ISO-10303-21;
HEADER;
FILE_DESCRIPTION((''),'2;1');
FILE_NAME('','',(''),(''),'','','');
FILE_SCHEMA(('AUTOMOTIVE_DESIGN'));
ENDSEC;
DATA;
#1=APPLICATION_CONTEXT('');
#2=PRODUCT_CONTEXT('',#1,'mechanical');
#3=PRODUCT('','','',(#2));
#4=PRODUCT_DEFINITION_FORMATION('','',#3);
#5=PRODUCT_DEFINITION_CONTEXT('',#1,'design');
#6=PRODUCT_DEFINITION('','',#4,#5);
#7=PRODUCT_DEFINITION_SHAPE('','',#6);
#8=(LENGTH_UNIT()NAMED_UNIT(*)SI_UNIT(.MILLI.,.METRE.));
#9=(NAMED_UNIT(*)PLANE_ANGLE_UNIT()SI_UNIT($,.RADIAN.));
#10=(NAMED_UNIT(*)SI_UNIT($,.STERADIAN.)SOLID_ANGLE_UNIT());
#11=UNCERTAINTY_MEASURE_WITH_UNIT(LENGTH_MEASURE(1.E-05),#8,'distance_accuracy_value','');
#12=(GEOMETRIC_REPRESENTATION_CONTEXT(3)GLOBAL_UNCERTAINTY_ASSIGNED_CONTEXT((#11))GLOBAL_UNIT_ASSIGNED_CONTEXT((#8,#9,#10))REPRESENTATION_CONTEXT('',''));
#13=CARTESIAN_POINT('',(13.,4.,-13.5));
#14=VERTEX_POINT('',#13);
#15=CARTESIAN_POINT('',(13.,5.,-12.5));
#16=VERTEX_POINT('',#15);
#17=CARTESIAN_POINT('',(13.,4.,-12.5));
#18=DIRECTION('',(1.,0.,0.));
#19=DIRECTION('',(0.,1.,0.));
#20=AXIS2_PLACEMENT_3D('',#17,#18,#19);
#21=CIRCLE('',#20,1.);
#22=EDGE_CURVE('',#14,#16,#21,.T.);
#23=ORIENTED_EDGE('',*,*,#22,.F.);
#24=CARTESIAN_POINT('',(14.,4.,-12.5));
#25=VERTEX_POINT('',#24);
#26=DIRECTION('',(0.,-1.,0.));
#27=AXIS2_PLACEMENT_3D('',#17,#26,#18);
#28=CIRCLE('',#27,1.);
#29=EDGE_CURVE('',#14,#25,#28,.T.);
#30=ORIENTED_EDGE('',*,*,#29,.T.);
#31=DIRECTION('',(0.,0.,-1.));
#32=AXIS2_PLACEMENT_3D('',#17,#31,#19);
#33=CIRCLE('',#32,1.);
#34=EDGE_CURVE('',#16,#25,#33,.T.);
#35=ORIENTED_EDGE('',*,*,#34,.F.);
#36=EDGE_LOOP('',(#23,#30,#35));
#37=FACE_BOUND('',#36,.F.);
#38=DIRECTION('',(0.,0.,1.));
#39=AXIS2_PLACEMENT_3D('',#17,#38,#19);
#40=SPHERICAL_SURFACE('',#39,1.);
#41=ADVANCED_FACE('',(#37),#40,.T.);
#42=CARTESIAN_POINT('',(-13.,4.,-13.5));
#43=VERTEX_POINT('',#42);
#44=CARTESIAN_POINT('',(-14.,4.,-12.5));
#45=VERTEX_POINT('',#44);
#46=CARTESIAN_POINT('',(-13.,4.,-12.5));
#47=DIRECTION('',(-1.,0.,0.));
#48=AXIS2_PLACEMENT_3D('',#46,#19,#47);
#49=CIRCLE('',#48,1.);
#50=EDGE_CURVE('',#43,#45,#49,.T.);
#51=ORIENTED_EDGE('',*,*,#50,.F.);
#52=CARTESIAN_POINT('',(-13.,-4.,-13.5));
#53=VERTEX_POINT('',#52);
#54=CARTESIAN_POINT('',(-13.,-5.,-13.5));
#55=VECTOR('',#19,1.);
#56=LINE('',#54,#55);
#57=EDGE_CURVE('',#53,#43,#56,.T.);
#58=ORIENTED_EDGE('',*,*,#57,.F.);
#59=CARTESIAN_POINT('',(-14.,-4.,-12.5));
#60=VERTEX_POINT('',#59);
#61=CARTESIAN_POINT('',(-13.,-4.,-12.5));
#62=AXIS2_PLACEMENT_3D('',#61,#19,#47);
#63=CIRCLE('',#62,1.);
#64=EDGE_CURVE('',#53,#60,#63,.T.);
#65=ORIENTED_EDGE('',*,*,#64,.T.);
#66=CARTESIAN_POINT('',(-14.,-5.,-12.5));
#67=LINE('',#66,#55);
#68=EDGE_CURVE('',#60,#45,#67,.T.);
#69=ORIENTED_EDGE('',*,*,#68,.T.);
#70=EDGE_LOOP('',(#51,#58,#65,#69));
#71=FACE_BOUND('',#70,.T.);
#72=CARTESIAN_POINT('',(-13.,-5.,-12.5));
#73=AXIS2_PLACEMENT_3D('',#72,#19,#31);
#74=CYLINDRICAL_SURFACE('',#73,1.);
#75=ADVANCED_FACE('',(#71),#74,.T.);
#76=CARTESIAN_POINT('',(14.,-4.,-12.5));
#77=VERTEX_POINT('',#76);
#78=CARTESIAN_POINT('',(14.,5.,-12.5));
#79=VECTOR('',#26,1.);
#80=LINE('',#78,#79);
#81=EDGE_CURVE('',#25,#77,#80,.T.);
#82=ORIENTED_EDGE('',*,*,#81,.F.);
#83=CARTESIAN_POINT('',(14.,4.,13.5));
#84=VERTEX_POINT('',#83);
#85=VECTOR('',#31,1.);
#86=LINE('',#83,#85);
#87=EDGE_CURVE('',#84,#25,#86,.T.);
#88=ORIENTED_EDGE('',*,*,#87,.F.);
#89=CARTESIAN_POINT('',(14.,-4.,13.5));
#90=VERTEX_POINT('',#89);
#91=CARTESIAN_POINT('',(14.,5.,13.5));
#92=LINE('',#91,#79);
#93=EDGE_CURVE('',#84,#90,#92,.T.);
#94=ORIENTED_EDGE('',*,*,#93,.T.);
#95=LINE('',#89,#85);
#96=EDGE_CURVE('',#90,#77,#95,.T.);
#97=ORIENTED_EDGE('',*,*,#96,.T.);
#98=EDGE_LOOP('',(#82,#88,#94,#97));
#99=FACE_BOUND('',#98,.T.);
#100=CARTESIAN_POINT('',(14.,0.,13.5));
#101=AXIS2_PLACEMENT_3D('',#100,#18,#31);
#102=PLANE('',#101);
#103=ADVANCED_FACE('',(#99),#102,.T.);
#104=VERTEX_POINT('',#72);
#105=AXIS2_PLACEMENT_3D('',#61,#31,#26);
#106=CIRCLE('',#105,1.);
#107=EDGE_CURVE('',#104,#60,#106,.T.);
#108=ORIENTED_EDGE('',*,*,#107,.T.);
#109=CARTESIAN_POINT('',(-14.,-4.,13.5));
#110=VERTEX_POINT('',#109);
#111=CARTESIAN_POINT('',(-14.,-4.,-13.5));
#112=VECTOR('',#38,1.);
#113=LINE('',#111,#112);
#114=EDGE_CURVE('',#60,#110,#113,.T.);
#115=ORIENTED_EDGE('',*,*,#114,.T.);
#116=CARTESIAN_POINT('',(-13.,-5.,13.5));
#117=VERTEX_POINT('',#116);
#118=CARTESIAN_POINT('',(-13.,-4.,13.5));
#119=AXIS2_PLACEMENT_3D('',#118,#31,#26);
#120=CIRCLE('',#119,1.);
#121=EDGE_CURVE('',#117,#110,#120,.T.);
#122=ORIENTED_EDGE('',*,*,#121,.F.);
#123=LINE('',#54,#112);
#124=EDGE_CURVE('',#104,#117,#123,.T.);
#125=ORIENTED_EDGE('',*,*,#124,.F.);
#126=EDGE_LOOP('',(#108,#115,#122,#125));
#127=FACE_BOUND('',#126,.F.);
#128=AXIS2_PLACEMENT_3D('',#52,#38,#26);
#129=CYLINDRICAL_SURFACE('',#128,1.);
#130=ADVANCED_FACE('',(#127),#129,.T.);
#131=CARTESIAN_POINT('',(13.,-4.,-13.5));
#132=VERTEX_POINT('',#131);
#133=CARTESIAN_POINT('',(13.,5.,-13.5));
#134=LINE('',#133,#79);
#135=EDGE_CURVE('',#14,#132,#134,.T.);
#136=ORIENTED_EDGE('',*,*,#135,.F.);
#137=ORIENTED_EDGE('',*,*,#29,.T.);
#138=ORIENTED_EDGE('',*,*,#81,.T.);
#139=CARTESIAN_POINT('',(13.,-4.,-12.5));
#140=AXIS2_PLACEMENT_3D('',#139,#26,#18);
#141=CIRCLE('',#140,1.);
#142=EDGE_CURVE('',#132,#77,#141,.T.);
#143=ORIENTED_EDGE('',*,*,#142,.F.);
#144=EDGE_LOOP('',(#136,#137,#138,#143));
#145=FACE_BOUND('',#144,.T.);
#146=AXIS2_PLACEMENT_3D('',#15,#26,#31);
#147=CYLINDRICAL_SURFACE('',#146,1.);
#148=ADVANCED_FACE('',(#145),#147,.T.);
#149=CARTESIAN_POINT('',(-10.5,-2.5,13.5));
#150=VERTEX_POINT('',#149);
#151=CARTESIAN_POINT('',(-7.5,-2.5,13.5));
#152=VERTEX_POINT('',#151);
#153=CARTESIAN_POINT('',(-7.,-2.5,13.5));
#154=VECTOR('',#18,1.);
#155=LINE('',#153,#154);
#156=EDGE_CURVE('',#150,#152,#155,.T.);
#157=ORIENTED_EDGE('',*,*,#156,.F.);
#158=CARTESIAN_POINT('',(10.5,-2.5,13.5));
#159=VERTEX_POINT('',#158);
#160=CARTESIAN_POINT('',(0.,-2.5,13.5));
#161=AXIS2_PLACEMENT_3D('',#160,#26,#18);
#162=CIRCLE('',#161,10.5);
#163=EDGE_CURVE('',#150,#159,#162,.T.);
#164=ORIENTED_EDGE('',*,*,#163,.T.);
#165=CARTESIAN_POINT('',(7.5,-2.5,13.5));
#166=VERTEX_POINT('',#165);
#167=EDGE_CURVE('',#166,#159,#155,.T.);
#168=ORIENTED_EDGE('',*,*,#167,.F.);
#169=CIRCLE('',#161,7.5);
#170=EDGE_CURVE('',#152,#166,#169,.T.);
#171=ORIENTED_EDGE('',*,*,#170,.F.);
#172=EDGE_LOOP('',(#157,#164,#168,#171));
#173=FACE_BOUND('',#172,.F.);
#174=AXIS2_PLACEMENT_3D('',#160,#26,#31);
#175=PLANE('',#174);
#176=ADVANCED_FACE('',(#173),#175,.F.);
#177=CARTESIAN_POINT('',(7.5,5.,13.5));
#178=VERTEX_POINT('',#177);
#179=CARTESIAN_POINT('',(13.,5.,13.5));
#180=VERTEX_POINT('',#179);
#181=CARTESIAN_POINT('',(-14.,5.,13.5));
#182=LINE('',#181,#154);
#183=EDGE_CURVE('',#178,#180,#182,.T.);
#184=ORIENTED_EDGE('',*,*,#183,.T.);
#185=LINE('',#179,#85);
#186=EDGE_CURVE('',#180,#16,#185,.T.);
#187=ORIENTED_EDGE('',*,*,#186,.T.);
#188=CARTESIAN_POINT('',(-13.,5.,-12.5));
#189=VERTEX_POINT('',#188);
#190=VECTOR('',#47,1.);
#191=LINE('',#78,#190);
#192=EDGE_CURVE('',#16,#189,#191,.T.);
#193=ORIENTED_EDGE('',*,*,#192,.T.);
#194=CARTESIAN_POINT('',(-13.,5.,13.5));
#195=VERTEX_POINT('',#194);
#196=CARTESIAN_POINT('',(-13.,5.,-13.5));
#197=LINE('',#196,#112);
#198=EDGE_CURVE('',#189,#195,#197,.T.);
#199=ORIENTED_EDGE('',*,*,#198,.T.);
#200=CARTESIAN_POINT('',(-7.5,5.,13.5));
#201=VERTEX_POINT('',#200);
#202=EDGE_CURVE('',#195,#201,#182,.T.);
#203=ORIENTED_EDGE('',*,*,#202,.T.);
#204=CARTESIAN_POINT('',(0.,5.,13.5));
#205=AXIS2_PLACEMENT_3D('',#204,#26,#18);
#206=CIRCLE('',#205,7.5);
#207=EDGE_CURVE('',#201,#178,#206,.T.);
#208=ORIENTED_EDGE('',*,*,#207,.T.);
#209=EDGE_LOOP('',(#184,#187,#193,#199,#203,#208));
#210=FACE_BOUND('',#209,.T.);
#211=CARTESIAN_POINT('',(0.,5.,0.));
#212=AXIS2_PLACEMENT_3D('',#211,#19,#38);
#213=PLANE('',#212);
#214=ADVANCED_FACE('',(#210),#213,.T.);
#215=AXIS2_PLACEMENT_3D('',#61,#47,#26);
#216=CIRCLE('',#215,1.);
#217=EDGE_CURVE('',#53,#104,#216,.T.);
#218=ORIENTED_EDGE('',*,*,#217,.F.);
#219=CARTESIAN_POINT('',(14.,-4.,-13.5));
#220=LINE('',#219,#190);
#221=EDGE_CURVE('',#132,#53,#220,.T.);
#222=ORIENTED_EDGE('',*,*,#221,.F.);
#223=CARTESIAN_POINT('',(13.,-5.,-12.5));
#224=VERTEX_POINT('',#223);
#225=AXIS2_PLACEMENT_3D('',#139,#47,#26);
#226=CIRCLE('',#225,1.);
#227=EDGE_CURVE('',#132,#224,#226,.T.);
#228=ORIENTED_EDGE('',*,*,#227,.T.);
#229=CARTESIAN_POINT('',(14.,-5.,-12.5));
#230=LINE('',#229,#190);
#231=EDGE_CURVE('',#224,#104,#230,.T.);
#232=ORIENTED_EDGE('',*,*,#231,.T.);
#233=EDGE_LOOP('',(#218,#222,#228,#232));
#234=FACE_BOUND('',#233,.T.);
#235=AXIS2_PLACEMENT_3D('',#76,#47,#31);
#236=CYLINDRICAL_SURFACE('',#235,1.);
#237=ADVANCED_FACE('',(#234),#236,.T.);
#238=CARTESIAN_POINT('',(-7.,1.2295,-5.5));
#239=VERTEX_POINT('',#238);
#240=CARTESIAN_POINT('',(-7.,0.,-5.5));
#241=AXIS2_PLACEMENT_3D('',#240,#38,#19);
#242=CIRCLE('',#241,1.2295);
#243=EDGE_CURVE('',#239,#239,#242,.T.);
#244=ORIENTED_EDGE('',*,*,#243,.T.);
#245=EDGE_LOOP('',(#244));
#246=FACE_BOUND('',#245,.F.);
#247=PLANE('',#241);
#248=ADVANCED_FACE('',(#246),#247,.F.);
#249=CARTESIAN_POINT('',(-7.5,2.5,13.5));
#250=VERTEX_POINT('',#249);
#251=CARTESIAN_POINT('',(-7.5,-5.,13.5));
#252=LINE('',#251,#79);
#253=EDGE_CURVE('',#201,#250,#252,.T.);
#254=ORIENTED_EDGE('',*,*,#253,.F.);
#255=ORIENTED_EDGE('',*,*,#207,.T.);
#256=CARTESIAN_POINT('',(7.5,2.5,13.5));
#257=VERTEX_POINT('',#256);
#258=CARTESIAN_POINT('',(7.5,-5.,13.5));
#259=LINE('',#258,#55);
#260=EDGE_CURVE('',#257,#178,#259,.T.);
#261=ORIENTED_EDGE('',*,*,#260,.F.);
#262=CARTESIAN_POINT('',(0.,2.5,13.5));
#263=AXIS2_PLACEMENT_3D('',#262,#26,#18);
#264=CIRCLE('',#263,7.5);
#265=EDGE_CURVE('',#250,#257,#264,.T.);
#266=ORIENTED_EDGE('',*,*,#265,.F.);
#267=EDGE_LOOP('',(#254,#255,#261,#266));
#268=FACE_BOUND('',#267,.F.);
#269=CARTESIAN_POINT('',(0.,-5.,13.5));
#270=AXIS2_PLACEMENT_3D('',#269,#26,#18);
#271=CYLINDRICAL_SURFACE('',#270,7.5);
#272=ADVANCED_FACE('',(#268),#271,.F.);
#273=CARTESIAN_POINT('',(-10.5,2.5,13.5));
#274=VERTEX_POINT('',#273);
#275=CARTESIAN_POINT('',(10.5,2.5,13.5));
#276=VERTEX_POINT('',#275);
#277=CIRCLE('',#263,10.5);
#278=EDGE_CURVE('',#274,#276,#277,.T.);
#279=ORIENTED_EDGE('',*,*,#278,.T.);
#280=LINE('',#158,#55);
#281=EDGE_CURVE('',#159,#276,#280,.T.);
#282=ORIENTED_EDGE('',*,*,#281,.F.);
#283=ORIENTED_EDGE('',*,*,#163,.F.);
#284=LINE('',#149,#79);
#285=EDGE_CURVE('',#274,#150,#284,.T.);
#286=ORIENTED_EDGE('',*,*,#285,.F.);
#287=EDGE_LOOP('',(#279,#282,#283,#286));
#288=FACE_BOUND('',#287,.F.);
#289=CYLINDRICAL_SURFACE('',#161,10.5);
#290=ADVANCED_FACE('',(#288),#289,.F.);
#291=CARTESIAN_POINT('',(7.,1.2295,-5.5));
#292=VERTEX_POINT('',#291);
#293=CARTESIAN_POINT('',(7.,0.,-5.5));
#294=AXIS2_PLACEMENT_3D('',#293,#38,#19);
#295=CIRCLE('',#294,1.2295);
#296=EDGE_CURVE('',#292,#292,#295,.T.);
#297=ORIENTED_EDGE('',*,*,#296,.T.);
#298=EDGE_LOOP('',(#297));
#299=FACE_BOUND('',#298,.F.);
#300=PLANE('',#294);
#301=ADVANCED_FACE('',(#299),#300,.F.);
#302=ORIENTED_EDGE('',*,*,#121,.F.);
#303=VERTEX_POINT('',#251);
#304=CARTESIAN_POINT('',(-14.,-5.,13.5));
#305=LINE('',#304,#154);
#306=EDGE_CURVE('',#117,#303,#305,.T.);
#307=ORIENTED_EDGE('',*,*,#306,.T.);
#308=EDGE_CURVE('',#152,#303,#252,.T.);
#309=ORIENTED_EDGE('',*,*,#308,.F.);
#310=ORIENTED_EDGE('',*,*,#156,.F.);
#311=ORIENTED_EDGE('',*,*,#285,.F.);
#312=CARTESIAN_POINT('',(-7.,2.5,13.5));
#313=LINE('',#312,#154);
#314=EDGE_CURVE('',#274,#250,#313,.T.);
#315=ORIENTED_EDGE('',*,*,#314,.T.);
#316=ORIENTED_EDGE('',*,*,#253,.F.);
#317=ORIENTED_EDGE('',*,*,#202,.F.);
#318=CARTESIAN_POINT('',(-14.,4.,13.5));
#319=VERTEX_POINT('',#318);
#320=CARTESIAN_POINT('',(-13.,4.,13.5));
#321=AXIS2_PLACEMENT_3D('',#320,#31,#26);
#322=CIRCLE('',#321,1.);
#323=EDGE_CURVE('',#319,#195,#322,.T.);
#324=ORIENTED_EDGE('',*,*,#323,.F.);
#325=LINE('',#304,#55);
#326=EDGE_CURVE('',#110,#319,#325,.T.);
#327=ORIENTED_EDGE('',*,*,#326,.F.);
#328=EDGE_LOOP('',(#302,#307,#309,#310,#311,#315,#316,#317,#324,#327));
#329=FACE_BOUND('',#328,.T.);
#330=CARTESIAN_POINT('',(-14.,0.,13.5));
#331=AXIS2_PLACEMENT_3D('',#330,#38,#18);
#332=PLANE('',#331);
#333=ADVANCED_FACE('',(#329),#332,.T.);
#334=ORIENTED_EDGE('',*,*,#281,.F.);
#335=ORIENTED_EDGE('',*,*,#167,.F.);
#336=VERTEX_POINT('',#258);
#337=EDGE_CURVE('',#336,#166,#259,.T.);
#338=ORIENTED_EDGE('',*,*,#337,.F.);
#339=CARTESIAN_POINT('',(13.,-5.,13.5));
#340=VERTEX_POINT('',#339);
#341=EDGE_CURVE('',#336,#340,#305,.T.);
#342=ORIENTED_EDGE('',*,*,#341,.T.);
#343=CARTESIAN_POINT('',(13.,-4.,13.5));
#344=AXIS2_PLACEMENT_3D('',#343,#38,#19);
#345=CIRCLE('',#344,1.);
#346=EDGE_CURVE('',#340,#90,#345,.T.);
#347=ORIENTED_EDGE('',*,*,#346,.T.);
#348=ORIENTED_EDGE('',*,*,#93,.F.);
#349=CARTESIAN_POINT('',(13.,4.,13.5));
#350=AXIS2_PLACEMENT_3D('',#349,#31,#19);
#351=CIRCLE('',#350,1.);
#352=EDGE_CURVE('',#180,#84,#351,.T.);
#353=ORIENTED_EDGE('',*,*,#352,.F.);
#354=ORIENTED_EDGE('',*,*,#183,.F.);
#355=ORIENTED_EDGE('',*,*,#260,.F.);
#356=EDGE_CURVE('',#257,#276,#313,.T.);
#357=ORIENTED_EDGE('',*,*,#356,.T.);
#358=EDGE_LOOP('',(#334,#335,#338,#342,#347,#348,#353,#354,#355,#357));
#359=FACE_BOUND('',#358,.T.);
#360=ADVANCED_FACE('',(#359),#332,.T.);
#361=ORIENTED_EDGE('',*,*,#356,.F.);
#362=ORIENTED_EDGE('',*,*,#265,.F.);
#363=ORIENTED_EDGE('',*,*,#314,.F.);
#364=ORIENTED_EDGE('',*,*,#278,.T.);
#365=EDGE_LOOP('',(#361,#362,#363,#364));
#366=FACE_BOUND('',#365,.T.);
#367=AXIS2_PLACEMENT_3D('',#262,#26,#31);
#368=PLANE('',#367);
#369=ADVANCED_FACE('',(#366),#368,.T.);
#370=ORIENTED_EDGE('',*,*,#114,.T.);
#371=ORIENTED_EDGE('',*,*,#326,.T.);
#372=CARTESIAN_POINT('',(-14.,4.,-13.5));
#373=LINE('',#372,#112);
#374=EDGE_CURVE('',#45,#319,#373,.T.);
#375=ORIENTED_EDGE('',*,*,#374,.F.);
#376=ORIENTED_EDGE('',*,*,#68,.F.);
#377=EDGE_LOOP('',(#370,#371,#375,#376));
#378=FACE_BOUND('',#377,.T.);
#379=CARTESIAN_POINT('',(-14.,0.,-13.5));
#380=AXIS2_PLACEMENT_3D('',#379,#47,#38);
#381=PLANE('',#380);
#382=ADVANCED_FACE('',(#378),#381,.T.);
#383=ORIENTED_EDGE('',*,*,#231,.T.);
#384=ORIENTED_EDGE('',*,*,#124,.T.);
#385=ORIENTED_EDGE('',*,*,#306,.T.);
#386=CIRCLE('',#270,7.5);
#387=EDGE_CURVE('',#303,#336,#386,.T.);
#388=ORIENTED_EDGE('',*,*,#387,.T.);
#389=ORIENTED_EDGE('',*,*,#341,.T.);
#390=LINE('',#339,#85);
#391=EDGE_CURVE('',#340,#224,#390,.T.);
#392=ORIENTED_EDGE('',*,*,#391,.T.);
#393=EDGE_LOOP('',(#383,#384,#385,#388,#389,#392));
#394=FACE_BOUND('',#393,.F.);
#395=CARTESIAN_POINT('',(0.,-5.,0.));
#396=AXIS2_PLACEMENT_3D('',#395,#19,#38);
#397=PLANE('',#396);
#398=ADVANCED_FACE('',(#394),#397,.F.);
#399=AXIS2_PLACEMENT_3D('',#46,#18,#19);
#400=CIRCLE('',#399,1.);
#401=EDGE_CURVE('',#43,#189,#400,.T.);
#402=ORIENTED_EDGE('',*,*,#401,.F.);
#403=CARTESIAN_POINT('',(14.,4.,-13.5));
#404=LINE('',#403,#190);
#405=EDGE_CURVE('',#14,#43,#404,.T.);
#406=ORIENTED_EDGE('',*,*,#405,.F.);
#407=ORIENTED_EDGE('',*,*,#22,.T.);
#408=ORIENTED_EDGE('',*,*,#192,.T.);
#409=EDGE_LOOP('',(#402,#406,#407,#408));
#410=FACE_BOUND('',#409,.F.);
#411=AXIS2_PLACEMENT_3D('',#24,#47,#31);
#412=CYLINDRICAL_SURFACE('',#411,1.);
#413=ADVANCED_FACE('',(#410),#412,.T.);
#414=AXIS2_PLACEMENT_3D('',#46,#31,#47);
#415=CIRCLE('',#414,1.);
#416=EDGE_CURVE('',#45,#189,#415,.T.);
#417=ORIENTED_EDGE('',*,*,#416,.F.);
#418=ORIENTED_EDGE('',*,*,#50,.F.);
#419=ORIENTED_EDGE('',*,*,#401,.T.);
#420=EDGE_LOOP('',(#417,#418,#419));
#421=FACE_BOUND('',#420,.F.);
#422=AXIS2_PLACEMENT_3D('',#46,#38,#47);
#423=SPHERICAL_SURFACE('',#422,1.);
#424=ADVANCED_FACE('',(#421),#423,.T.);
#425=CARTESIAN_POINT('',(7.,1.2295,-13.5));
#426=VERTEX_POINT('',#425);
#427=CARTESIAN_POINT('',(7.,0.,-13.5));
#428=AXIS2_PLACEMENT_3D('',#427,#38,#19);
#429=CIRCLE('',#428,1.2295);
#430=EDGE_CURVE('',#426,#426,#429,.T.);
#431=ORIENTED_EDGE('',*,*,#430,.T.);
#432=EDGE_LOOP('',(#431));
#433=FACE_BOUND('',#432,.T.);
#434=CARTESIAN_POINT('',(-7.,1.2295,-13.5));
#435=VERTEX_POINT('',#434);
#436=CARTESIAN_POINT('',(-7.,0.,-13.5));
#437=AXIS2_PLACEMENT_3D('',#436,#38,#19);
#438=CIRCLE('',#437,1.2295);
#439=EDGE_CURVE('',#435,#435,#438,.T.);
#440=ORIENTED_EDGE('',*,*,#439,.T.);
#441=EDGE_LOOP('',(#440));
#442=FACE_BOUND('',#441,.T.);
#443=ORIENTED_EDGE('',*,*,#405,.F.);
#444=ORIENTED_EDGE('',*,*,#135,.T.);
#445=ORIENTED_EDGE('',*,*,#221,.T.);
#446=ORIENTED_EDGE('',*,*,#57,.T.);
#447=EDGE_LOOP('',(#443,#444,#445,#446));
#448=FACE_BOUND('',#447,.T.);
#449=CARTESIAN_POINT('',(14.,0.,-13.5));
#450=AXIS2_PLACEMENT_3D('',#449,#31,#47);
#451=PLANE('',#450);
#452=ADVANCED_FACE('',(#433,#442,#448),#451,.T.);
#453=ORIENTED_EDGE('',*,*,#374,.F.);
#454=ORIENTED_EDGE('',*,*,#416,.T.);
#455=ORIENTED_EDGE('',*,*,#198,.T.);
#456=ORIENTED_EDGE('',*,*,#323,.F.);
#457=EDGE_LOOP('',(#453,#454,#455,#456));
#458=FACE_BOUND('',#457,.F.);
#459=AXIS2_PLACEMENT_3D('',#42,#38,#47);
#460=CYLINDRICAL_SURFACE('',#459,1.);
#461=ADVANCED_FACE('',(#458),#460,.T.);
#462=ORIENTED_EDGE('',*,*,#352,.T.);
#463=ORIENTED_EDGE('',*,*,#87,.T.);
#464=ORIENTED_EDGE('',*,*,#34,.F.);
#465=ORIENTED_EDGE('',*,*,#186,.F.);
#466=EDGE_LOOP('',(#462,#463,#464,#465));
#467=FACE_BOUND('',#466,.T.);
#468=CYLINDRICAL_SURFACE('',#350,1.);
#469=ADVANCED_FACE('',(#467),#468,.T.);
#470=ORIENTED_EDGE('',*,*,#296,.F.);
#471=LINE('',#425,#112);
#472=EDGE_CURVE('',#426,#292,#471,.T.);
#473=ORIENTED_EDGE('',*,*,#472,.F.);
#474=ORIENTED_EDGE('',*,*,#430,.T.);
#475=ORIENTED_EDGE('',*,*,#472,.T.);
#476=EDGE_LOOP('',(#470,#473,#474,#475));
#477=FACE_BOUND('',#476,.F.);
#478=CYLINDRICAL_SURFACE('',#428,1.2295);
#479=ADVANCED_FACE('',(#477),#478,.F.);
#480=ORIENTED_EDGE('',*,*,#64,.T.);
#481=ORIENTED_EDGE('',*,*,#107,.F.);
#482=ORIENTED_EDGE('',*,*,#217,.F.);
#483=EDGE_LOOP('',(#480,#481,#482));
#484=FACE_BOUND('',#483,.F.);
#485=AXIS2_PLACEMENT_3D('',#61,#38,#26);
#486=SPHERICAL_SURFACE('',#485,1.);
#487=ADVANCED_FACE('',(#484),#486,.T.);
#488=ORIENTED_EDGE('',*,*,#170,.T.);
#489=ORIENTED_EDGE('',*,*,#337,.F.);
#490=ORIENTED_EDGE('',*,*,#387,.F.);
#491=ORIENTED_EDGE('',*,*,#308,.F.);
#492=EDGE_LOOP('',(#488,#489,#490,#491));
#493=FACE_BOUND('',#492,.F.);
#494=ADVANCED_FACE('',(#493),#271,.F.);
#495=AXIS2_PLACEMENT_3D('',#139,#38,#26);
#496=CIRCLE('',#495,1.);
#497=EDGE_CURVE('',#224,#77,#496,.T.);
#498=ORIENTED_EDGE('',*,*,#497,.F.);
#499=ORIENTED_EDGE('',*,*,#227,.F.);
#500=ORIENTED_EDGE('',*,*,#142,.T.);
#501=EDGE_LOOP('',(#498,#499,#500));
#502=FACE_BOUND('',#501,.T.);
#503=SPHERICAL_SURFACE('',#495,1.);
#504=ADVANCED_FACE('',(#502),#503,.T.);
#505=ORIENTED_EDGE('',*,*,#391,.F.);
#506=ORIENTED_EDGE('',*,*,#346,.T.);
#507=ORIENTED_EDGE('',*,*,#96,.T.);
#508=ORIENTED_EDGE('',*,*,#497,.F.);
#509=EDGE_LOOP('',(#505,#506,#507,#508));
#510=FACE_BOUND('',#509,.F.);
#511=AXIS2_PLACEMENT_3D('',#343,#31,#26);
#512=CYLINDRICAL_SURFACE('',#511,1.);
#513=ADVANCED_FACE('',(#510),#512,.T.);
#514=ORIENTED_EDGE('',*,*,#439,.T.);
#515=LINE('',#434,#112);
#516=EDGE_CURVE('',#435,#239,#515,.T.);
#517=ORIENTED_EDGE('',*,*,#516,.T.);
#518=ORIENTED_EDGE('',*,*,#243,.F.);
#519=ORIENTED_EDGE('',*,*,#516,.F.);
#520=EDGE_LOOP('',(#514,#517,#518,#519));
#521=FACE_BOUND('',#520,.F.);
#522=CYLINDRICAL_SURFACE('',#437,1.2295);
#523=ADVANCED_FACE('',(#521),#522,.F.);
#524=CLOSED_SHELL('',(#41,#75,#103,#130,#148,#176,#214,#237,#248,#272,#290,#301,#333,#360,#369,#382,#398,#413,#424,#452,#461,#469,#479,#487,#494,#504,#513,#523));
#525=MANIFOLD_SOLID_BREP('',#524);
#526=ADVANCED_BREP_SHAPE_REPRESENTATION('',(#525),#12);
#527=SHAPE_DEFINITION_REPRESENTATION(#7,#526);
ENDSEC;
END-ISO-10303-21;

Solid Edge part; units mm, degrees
sketch "Sketch1" plane through (0, 0, 0) normal (0, -1, 0) x (1, 0, 0)
  line L0 (14, -13.5) -> (-14, -13.5)
  line L1 (-14, -13.5) -> (-14, 13.5)
  line L2 (-14, 13.5) -> (14, 13.5)
  line L3 (14, 13.5) -> (14, -13.5)
  dimension "D1" = 28
  dimension "D2" = 27
extrude "Protrusion1" add sketch "Sketch1" along normal mid plane 10
sketch "Sketch2" plane through (0, -2.5, 0) normal (0, -1, 0) x (1, 0, 0)
  circle A0 centre (0, 13.5) radius 10.5
extrude "Extrusionsausschnitt_1" cut sketch "Sketch2" against normal blind 5
fillet "Verrundung_1" radius 1 8 edges at (-14, -5, 0) (14, -5, 0) (-14, 5, 0) (14, 5, 0) (0, -5, -13.5) (-14, 0, -13.5) (0, 5, -13.5) (14, 0, -13.5)
sketch "Sketch3" plane through (0, -5, 0.5) normal (0, -1, 0) x (1, 0, 0)
  circle A0 centre (0, 13) radius 7.5
  dimension "D1" = 15
extrude "Extrusionsausschnitt_2" cut sketch "Sketch3" against normal blind 19.0261
hole "Bohrung_1" at (-7, 0, -13.5) direction (0, 0, 1) diameter 2.459 depth 8
hole "Hole1" at (7, 0, -13.5) direction (0, 0, 1) diameter 2.459 depth 8
properties part number "037" material "PLA"
